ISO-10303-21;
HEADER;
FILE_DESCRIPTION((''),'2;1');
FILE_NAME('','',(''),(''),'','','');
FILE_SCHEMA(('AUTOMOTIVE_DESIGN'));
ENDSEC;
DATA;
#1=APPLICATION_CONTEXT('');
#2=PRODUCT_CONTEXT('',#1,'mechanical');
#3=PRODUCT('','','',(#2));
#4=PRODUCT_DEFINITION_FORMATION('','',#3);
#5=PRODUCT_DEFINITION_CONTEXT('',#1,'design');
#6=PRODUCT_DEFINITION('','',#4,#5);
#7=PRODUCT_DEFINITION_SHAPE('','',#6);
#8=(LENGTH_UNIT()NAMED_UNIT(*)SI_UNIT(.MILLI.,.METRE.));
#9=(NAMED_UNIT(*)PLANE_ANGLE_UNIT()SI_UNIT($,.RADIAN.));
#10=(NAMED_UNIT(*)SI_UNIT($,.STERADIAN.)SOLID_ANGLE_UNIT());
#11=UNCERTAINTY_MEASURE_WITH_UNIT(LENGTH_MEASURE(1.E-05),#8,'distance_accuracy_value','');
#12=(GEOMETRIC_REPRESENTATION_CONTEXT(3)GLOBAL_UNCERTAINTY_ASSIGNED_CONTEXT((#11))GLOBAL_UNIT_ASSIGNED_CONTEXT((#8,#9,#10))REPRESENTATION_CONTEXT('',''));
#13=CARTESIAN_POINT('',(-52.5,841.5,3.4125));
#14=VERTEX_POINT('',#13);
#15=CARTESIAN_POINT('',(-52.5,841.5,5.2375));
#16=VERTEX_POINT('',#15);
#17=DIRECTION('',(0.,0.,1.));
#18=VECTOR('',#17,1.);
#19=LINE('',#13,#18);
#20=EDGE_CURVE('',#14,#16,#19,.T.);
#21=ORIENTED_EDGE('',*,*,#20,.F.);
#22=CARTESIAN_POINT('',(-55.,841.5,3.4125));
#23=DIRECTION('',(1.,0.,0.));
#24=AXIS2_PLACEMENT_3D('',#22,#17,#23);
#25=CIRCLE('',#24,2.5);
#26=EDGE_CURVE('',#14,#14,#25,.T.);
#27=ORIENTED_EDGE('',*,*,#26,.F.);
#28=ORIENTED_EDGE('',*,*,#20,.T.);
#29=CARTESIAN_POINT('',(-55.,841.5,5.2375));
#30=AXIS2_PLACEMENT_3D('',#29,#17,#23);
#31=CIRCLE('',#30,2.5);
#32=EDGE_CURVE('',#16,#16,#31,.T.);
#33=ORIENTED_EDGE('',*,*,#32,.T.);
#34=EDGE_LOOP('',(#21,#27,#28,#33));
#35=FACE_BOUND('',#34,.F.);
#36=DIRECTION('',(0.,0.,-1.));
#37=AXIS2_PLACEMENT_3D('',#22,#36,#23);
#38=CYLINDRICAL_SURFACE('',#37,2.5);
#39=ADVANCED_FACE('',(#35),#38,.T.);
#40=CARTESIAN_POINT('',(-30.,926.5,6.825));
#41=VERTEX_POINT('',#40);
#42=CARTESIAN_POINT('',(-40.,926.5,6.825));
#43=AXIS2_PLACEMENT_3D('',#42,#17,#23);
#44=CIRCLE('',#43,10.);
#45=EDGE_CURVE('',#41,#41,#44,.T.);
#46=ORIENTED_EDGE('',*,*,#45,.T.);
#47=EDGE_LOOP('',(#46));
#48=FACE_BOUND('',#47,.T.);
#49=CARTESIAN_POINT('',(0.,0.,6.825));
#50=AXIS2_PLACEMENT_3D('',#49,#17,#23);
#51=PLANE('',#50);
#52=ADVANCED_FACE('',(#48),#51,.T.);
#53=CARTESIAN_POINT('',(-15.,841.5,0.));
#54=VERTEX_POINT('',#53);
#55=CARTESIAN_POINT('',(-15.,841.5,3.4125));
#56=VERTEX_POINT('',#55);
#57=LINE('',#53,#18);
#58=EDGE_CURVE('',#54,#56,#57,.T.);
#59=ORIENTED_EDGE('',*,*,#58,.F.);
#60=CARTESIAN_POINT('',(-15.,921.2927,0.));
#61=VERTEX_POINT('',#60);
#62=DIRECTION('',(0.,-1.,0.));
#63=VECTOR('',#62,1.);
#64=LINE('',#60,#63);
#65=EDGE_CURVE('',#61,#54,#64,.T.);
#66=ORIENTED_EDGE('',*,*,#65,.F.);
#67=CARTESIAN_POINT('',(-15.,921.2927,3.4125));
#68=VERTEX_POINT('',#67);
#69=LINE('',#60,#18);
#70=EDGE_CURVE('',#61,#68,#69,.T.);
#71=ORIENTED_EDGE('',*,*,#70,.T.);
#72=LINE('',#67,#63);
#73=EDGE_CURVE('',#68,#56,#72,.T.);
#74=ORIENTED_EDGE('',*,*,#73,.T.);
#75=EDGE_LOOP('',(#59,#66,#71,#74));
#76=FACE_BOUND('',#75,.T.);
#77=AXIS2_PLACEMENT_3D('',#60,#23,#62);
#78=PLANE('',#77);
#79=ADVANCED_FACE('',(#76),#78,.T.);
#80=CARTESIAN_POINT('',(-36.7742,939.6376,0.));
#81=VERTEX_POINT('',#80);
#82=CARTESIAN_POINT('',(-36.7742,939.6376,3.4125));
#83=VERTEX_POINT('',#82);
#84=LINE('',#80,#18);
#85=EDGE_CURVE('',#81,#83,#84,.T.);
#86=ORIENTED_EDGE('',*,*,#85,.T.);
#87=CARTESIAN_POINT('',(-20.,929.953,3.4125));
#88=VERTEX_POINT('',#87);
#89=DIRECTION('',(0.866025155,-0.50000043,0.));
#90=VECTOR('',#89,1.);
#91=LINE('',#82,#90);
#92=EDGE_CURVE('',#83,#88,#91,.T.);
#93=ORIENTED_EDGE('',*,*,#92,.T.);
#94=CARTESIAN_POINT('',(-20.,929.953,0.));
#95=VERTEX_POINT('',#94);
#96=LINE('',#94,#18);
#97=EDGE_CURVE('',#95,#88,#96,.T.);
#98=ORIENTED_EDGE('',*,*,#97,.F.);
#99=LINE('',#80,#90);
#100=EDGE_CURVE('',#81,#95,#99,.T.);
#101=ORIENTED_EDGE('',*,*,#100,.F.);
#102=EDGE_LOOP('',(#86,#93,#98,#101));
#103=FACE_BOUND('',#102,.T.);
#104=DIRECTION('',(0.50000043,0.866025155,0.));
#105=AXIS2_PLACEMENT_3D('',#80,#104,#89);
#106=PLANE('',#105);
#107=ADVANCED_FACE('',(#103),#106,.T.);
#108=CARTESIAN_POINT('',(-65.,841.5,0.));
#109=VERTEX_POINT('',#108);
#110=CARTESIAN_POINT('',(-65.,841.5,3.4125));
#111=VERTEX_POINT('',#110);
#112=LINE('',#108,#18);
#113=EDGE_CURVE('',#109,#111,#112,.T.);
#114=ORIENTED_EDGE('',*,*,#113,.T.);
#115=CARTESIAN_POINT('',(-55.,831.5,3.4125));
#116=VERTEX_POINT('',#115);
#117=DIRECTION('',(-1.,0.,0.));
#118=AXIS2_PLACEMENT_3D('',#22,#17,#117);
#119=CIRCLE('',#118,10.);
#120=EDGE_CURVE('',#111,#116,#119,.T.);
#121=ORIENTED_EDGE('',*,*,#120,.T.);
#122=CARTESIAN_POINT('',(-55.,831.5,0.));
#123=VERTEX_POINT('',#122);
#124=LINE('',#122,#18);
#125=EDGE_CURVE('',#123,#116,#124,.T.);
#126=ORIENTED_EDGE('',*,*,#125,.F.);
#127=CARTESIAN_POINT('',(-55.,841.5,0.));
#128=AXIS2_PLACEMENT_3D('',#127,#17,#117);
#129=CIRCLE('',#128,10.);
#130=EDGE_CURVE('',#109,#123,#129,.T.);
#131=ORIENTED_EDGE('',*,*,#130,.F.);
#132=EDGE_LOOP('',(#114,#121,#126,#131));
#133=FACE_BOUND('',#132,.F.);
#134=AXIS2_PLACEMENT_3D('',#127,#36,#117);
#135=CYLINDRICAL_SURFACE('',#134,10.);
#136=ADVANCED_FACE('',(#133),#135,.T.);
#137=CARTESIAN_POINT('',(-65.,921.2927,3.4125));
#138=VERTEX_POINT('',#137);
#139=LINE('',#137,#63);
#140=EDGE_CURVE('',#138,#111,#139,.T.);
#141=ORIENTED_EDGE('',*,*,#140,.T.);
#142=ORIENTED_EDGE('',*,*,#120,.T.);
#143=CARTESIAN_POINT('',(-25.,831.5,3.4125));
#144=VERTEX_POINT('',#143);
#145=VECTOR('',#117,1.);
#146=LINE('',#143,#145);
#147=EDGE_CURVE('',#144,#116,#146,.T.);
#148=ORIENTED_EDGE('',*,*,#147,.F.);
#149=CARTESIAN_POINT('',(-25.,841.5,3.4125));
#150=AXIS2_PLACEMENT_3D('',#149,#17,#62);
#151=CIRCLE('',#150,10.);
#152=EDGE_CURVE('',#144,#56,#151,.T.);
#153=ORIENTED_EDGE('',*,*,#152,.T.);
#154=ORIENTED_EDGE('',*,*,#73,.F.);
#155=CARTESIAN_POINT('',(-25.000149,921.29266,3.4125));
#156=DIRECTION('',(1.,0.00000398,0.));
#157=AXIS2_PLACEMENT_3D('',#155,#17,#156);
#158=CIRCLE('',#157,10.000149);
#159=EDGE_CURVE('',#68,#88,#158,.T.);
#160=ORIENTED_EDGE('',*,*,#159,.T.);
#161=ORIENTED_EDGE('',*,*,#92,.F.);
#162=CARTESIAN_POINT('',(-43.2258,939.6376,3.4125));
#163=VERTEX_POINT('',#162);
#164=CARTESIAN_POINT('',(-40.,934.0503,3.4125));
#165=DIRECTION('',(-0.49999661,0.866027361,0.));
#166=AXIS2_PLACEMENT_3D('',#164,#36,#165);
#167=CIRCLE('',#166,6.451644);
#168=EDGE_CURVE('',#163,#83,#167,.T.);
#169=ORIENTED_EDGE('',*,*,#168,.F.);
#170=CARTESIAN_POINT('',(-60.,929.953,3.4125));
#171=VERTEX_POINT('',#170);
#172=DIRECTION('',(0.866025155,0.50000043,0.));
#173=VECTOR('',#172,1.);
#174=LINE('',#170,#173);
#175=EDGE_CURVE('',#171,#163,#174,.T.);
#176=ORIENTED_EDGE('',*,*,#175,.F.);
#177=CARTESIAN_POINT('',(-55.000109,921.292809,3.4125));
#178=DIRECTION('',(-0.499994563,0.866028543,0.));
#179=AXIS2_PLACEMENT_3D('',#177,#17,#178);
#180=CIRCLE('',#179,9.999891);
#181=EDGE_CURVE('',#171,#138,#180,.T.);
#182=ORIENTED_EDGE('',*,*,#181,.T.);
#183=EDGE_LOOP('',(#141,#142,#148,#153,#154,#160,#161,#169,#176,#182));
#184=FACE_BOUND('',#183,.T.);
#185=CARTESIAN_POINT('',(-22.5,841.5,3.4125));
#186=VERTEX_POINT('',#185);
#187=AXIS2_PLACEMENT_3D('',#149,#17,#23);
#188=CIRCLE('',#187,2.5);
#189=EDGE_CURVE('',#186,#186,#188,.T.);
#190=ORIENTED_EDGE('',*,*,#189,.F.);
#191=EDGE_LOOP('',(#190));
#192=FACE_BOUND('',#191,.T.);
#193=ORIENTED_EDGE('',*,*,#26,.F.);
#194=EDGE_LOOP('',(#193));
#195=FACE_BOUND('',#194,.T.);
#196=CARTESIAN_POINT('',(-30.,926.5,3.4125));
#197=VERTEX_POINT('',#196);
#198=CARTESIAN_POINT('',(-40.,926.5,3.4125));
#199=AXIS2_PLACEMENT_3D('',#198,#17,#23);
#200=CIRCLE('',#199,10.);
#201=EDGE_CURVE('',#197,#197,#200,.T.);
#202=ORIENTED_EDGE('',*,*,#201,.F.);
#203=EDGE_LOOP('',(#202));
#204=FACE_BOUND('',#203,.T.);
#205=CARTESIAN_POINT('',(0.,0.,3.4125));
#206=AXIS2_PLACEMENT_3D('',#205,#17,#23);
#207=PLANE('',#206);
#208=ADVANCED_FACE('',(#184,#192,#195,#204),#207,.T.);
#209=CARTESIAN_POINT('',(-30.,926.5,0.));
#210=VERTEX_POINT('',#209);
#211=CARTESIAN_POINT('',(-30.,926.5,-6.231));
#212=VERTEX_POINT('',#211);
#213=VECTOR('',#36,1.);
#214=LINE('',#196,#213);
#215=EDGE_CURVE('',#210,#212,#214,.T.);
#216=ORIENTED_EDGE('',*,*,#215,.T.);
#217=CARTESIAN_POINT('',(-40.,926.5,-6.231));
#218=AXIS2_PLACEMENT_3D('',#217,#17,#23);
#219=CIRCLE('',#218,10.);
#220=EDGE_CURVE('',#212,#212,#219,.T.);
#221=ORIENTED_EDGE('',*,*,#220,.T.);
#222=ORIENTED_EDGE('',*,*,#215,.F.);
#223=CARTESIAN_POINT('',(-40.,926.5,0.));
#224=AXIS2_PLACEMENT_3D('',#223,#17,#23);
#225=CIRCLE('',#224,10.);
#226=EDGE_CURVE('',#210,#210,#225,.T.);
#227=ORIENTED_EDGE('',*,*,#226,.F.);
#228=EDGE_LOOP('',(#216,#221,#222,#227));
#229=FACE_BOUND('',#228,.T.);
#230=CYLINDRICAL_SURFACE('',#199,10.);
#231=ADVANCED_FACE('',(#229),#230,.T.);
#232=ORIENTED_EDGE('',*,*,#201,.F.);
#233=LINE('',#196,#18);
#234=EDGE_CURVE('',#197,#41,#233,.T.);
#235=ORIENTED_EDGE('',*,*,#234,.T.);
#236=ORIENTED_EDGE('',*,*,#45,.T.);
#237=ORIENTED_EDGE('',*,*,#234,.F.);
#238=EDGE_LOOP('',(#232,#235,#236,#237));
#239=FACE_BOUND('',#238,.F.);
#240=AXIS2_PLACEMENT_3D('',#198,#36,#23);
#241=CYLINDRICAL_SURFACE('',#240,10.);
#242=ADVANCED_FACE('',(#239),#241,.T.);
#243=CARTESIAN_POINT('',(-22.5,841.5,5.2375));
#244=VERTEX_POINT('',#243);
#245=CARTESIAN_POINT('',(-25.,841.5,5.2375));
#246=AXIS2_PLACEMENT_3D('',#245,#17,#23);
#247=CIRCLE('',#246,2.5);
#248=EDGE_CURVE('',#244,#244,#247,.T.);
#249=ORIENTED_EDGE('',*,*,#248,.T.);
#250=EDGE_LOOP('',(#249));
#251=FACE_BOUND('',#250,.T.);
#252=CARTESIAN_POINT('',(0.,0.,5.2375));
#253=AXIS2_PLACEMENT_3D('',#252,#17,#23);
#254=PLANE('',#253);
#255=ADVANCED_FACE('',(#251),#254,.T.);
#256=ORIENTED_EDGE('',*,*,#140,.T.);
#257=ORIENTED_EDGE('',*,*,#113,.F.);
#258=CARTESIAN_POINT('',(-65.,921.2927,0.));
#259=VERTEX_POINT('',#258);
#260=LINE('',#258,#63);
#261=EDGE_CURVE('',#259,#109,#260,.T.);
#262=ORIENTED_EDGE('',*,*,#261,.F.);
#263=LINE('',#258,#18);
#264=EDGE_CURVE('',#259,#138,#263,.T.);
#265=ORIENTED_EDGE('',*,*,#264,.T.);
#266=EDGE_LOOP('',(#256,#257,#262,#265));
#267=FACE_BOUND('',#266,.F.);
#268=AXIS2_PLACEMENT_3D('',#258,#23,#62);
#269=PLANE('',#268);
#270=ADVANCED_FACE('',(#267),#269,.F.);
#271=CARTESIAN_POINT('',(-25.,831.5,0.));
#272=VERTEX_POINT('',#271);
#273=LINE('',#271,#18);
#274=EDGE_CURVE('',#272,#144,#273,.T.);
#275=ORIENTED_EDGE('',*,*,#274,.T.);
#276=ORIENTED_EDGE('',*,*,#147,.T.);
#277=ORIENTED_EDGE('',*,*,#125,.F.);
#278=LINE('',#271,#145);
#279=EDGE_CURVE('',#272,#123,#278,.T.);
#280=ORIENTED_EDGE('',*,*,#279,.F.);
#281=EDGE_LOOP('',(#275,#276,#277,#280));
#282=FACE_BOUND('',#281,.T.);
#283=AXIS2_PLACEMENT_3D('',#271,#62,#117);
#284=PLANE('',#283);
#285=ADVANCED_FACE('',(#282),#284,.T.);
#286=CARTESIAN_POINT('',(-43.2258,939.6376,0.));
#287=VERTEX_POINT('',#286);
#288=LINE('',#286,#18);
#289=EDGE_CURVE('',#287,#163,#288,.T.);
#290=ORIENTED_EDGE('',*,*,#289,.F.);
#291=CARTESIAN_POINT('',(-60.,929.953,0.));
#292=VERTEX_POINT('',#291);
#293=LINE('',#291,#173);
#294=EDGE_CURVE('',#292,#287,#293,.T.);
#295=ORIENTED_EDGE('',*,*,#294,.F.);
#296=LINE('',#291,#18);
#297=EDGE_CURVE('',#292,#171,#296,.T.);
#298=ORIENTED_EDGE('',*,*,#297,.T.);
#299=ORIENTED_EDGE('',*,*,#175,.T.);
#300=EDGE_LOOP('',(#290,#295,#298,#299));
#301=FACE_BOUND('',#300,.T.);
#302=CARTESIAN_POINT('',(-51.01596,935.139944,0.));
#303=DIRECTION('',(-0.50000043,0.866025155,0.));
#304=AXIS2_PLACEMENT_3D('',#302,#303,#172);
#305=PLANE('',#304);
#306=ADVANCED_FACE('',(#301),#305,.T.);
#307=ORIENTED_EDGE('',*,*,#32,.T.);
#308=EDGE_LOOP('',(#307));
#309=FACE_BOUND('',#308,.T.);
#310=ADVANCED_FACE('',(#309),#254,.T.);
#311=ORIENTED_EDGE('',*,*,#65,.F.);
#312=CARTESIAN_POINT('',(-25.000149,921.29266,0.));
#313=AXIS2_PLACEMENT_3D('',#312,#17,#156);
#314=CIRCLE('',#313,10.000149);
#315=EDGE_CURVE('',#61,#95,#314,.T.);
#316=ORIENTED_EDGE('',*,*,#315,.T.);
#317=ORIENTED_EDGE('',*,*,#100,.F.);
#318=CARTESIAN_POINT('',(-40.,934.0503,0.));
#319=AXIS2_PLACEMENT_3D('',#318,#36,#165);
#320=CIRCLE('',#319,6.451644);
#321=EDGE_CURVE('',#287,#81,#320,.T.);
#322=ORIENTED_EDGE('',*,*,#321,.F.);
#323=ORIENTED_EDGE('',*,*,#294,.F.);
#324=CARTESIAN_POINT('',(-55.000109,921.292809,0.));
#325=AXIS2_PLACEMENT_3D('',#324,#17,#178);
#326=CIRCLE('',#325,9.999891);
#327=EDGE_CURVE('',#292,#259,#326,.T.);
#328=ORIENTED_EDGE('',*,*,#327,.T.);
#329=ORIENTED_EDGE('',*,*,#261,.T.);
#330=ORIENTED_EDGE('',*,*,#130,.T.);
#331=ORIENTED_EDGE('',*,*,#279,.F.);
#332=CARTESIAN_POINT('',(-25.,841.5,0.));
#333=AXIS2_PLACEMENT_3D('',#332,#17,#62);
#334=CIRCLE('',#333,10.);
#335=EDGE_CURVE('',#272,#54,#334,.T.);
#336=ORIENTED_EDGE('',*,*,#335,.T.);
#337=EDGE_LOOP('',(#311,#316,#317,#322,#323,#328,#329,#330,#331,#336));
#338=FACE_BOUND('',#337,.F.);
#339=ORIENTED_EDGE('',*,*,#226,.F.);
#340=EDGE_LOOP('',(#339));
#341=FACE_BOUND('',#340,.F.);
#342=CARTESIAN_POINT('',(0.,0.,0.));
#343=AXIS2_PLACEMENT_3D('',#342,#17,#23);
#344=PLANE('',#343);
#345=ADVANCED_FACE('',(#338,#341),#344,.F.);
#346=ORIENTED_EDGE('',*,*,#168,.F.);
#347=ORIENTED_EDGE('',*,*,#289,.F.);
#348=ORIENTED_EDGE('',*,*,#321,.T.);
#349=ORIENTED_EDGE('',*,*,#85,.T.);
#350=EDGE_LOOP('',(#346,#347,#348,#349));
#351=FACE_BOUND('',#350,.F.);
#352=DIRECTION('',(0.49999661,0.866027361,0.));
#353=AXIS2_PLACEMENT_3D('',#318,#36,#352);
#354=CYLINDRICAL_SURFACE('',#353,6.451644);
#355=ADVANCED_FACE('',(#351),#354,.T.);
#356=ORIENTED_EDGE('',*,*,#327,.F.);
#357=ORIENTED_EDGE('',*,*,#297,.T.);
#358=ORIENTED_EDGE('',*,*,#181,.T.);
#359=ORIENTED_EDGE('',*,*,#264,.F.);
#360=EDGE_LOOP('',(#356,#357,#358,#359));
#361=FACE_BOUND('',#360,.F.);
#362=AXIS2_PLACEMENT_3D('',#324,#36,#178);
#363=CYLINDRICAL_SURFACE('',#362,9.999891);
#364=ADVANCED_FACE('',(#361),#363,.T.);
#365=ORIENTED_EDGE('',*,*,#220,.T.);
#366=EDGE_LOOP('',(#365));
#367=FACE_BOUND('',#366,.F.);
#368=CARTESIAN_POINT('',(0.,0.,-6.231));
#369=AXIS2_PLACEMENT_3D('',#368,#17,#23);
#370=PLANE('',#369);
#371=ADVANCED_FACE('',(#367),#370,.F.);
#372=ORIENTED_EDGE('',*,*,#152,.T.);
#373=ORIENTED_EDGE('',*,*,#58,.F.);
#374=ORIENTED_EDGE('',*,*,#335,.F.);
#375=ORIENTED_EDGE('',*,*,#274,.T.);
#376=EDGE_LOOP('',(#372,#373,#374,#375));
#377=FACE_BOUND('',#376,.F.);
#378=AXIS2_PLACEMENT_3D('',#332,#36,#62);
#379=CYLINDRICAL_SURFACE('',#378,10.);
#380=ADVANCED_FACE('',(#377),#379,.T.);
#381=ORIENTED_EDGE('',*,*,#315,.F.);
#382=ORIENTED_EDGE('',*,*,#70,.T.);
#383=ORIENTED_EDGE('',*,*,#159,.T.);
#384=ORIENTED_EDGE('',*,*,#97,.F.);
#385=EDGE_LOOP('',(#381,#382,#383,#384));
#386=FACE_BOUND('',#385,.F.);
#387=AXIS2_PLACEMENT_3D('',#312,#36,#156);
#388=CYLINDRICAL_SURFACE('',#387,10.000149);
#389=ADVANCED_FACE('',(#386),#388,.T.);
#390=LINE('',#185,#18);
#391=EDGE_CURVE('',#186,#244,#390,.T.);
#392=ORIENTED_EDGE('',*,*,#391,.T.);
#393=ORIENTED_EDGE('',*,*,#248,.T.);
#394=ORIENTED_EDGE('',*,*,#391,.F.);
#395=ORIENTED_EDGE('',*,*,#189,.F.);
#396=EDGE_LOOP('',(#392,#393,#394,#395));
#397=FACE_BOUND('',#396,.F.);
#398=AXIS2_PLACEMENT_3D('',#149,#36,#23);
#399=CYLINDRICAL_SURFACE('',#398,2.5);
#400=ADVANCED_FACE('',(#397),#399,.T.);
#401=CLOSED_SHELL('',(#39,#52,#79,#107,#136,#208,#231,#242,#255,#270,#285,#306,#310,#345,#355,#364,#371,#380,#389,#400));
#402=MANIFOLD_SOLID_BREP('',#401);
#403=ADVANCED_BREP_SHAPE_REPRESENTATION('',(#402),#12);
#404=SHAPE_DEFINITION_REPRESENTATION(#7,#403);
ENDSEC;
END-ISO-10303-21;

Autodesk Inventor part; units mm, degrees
ref_plane "YZ Plane" through (0, 0, 0) normal (1, 0, 0) x (0, 1, 0)
ref_plane "XZ Plane" through (0, 0, 0) normal (0, 1, 0) x (-1, 0, 0)
ref_plane "XY Plane" through (0, 0, 0) normal (0, 0, 1) x (1, 0, 0)
sketch "Sketch1" plane through (0, 0, 0) normal (0, 0, 1) x (1, 0, 0)
  circle A0 centre (-40, 926.5) radius 10 projected
  circle A1 centre (-40, 926.5) radius 14 projected
  line L0 (-65, 921.2927) -> (-65, 841.5)
  line L1 (-55, 831.5) -> (-40, 831.5)
  arc A2 (-60, 929.953) -> (-65, 921.2927) centre (-55, 921.2927) ccw
  arc A3 (-65, 841.5) -> (-55, 831.5) centre (-55, 841.5) ccw
  line L2 (-40, 926.5) -> (-40, 831.5) construction
  line L3 (-40, 936.5) -> (-40, 831.5) construction
  circle A4 centre (-40, 926.5) radius 10
  line L4 (-15, 921.2927) -> (-15, 841.5)
  line L5 (-25, 831.5) -> (-40, 831.5)
  arc A5 (-15, 921.2927) -> (-20, 929.953) centre (-25, 921.2927) ccw
  arc A6 (-25, 831.5) -> (-15, 841.5) centre (-25, 841.5) ccw
  line L6 (-60, 929.953) -> (-43.2258, 939.6376)
  line L7 (-36.7742, 939.6376) -> (-20, 929.953)
  arc A7 (-36.7742, 939.6376) -> (-43.2258, 939.6376) centre (-40, 934.0503) ccw
  point P0 (0, 0)
  point P1 (-40, 941.5)
  dimension "d0" = 10
  dimension "d1" = 25
  dimension "d3" = 95
  dimension "d4" = 15
  dimension "d5" = 6.4516
  dimension "d6" = 120
  dimension "d7" = 4.3301
extrude "Extrusion1" add sketch "Sketch1" along normal blind 3.4125 contours A0 | A1 L6 A7 L7 | A1 L7 A5 L4 A6 L5 L1 A3 L0 A2 L6
sketch "Sketch2" plane through (0, 0, 3.4125) normal (0, 0, 1) x (1, 0, 0)
  circle A0 centre (-40, 926.5) radius 10 projected
  circle A1 centre (-40, 926.5) radius 10
  point P0 (0, 0)
extrude "Extrusion2" add sketch "Sketch2" along normal blind 3.4125 and the other way blind 9.6435
sketch "Sketch3" plane through (-40, 926.5, 6.825) normal (0, 0, 1) x (1, 0, 0)
  circle A0 centre (0, 0) radius 10 projected
  point P0 (40, -926.5)
sketch "Sketch4" plane through (0, 0, 3.4125) normal (0, 0, 1) x (1, 0, 0)
  arc A0 (-65, 841.5) -> (-55, 831.5) centre (-55, 841.5) ccw projected
  arc A1 (-25, 831.5) -> (-15, 841.5) centre (-25, 841.5) ccw projected
  circle A2 centre (-55, 841.5) radius 2.5
  circle A3 centre (-25, 841.5) radius 2.5
  point P0 (0, 0)
  dimension "d14" = 5
extrude "Extrusion3" add sketch "Sketch4" along normal blind 1.825
properties part number "WheelHolder"
